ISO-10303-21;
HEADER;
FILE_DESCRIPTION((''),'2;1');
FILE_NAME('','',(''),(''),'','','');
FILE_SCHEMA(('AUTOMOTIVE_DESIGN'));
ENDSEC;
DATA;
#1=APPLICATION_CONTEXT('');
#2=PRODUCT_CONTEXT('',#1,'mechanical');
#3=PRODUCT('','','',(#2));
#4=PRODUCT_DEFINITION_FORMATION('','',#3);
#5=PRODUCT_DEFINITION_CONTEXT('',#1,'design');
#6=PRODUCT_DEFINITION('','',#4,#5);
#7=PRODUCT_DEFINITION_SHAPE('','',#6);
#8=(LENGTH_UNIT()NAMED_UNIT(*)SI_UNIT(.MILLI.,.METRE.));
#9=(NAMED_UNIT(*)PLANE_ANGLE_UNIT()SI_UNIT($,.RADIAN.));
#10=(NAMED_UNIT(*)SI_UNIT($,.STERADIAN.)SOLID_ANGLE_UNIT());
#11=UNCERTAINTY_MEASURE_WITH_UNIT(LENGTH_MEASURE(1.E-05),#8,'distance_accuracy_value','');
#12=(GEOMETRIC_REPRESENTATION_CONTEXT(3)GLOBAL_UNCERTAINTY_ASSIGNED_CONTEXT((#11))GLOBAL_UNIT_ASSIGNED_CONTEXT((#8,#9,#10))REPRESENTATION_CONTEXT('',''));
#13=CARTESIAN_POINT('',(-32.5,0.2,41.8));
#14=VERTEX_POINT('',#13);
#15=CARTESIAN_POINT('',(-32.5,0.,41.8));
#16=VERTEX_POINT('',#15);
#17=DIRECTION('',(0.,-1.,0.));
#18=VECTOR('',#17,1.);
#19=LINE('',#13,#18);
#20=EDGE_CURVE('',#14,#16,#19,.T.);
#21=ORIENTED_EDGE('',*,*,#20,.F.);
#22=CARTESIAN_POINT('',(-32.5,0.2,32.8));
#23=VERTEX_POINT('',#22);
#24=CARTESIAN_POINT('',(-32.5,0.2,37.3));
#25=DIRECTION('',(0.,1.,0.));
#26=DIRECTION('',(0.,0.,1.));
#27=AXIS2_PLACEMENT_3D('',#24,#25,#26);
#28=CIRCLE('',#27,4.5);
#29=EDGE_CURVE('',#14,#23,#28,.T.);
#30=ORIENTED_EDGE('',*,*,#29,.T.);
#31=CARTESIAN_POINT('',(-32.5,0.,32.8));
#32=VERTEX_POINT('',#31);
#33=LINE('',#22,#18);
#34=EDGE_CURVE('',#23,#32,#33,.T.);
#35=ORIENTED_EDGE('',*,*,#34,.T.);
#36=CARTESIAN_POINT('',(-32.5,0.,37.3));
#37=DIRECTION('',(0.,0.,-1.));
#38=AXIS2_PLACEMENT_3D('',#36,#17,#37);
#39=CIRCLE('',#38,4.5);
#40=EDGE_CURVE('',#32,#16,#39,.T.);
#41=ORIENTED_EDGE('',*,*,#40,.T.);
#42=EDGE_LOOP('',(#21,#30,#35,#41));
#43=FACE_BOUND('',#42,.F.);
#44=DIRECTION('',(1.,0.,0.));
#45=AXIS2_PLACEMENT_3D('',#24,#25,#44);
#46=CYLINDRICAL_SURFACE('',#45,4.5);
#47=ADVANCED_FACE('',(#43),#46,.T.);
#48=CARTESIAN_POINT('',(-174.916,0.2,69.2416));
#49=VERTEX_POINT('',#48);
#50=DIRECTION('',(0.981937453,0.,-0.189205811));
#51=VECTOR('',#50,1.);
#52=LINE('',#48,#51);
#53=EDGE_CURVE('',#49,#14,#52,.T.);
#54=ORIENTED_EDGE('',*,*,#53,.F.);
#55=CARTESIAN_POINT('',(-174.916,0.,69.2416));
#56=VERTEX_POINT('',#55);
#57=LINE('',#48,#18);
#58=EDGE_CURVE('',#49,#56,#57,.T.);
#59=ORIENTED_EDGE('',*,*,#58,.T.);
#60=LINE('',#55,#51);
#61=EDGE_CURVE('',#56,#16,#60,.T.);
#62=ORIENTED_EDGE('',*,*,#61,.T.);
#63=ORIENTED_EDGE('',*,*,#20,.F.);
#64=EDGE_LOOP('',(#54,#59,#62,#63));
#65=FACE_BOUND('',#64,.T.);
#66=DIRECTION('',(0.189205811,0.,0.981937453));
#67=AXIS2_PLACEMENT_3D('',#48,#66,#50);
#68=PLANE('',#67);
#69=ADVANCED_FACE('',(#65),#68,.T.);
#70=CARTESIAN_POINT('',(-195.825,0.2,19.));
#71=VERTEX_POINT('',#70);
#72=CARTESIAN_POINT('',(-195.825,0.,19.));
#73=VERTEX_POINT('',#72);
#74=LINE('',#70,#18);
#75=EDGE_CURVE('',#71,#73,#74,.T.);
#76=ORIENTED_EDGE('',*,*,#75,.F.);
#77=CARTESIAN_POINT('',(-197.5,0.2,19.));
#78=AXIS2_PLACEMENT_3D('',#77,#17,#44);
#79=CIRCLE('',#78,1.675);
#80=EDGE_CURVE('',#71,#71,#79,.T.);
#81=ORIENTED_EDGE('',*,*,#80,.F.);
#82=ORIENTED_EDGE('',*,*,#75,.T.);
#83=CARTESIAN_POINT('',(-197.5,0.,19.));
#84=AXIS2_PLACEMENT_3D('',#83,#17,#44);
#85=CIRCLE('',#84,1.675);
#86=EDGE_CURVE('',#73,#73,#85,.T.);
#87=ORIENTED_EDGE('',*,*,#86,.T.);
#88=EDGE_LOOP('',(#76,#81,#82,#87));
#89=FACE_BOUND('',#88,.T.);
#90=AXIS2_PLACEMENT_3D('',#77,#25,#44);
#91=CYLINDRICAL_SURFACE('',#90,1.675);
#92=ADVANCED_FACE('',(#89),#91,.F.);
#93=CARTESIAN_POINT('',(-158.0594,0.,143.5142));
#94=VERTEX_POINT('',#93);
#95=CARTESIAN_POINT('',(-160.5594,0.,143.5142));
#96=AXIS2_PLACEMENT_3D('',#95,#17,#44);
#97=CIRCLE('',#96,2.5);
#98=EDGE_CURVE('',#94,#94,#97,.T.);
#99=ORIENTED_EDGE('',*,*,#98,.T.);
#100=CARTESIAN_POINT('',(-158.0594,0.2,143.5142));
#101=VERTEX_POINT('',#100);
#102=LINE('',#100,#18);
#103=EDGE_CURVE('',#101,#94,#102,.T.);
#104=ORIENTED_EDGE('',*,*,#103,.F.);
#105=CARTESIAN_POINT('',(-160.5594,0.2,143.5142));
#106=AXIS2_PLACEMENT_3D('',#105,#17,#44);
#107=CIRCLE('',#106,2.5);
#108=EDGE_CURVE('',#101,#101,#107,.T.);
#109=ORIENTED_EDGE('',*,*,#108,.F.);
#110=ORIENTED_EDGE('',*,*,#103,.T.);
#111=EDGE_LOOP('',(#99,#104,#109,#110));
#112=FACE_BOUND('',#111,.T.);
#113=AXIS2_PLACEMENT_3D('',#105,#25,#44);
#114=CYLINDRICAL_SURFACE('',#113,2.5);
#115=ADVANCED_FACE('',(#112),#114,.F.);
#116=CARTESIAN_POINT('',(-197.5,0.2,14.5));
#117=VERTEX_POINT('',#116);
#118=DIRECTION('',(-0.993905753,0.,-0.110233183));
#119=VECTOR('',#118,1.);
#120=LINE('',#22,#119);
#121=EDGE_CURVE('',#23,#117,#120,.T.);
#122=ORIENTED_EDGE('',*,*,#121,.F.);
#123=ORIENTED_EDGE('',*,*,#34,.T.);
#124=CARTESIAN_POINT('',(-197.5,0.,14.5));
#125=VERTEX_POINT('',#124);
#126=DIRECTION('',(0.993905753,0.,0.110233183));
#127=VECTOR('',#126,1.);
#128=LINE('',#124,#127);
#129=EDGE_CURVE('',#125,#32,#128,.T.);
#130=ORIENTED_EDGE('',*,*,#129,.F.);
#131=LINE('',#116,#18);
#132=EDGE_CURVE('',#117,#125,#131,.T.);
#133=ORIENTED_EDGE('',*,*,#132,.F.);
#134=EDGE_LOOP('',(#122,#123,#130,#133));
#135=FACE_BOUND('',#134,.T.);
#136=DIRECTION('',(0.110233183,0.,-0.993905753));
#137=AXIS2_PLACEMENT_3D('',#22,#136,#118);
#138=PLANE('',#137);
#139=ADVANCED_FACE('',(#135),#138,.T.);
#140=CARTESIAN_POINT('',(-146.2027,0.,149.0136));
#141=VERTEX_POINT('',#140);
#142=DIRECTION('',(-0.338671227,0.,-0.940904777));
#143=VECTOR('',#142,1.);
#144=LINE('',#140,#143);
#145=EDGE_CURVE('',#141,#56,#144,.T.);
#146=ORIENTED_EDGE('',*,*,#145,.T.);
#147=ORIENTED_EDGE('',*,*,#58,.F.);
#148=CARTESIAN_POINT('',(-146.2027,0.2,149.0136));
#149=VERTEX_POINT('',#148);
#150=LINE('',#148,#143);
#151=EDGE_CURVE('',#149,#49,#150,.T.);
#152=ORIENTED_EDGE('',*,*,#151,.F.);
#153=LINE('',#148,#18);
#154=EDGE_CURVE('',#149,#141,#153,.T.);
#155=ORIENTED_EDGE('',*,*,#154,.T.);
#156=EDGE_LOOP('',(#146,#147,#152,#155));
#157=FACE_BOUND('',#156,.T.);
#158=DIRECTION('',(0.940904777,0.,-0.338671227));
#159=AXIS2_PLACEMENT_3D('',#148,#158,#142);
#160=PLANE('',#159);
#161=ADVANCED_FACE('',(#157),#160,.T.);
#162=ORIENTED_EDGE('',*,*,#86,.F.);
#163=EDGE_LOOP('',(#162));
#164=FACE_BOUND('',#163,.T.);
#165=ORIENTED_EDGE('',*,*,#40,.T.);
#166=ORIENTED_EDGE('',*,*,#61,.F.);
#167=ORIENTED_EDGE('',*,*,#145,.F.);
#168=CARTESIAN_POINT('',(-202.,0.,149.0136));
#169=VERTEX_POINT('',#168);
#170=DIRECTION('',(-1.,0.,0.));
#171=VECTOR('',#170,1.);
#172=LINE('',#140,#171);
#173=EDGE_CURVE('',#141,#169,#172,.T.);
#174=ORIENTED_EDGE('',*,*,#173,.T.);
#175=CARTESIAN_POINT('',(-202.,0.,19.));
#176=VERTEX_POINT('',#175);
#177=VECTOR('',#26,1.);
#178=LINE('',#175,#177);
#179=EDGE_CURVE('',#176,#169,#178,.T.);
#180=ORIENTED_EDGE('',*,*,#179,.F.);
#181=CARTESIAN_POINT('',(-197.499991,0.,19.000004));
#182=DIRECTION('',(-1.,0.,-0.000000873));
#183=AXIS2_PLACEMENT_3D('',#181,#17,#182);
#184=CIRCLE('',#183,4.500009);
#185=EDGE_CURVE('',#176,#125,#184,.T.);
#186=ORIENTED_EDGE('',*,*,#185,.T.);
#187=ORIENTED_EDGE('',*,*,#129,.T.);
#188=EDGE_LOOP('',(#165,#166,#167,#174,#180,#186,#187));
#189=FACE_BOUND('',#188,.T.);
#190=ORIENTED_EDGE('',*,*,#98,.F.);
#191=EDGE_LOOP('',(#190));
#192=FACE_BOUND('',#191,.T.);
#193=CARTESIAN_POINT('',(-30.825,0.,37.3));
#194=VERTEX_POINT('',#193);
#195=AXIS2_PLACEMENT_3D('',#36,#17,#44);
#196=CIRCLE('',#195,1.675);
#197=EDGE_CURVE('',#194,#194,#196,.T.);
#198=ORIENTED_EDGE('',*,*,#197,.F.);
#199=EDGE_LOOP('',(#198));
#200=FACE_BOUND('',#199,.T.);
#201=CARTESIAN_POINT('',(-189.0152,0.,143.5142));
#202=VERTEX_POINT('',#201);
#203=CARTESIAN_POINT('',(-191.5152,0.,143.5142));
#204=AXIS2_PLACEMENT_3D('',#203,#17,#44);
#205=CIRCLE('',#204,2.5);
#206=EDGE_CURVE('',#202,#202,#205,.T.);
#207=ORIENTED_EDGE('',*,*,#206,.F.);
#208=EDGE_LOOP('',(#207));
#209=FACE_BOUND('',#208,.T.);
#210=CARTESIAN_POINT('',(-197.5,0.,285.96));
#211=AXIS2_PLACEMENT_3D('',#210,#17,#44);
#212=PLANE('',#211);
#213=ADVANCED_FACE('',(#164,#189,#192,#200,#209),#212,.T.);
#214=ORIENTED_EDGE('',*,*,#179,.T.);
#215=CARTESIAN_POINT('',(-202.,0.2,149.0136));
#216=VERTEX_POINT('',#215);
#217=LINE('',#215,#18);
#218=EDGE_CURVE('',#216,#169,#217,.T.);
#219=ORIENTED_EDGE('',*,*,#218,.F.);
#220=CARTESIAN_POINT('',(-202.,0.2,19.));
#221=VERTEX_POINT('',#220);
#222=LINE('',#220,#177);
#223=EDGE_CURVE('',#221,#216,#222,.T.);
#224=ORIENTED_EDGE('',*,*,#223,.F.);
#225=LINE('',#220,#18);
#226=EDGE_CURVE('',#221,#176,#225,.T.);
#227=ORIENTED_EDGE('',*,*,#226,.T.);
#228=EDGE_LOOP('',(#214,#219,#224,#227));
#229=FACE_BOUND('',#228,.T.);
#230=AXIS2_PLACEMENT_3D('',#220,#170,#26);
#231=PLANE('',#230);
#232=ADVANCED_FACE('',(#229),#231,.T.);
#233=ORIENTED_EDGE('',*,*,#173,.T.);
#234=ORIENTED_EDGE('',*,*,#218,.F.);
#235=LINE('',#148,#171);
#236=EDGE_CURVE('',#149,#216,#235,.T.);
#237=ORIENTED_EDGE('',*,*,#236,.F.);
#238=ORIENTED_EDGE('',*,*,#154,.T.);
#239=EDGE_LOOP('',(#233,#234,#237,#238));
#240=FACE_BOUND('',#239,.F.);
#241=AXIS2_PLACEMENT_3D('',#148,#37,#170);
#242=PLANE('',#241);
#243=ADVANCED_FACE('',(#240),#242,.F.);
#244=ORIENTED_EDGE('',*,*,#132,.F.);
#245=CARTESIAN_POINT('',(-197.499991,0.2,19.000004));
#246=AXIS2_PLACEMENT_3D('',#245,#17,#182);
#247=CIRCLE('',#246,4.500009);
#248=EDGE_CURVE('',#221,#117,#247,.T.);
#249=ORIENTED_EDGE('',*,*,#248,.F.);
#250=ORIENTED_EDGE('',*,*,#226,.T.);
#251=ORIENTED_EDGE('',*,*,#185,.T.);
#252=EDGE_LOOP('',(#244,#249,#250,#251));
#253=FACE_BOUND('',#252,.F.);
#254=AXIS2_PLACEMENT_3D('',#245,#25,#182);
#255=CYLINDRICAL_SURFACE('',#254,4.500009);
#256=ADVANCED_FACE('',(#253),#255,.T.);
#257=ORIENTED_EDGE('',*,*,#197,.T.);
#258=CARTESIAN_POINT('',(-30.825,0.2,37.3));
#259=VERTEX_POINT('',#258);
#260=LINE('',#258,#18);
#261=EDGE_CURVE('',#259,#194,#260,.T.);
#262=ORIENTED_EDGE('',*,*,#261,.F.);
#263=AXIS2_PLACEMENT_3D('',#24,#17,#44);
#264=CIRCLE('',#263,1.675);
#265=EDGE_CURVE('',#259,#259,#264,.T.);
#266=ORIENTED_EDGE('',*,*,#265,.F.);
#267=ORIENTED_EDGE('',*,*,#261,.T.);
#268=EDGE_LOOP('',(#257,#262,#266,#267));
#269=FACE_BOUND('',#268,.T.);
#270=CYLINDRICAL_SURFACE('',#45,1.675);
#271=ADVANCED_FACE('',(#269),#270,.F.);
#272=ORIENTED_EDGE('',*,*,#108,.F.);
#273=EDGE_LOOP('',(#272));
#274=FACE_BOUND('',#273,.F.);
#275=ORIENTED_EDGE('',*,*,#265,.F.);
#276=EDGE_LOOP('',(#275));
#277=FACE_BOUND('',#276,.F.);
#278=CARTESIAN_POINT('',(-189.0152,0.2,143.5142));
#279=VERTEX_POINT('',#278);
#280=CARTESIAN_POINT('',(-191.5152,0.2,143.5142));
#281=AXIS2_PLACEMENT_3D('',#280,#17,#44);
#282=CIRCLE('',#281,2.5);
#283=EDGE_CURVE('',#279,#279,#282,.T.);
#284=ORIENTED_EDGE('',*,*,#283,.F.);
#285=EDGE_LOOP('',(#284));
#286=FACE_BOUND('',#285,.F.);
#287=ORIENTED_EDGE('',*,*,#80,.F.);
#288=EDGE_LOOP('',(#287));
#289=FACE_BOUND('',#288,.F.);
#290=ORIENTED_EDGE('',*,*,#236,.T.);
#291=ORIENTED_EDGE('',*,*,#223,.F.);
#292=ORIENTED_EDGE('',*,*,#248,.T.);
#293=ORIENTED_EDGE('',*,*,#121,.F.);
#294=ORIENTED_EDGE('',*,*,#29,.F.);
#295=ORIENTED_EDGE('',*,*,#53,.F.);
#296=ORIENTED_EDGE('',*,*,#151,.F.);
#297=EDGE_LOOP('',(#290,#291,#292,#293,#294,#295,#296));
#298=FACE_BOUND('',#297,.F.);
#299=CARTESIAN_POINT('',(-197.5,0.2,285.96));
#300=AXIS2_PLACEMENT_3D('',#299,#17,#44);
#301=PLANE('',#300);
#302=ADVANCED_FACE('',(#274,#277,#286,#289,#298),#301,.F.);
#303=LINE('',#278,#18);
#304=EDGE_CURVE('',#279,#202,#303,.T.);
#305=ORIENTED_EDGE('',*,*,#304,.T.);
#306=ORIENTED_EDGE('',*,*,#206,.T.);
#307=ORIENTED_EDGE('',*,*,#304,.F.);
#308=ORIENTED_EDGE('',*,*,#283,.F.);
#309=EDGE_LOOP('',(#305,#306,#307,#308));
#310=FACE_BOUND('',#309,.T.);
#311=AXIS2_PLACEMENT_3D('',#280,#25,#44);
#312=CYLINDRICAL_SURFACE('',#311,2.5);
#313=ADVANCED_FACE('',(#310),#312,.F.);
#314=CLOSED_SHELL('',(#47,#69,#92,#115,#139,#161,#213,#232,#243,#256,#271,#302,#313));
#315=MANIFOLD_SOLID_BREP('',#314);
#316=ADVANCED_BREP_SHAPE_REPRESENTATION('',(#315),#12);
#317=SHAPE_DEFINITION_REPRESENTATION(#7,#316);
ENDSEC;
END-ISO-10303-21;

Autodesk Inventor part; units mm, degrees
ref_plane "YZ Plane" through (0, 0, 0) normal (1, 0, 0) x (0, 1, 0)
ref_plane "XZ Plane" through (0, 0, 0) normal (0, 1, 0) x (-1, 0, 0)
ref_plane "Work Plane1" through (-197.5, 0.2, 285.96) normal (0, -1, 0) x (1, 0, 0)
sketch "Sketch1" plane through (-197.5, 0.2, 285.96) normal (0, -1, 0) x (1, 0, 0)
  line L0 (51.2973, -136.9464) -> (22.584, -216.7184) projected
  line L1 (51.2973, -136.9464) -> (-4.5, -136.9464)
  line L2 (-4.5, -266.96) -> (-4.5, -4.5) projected
  line L3 (51.2973, -136.9464) -> (22.584, -216.7184)
  line L4 (22.584, -216.7184) -> (165, -244.16) projected
  line L5 (22.584, -216.7184) -> (165, -244.16)
  circle A0 centre (165, -248.66) radius 1.675 projected
  circle A1 centre (165, -248.66) radius 4.5
  arc A2 (-4.5, -266.96) -> (0.561, -271.4249) centre (0, -266.96) ccw projected
  line L6 (165, -253.16) -> (0.561, -271.4249) projected
  circle A3 centre (0, -266.96) radius 4.5
  line L7 (-4.5, -266.96) -> (-4.5, -136.9464)
  circle A4 centre (165, -248.66) radius 1.675
  circle A5 centre (0, -266.96) radius 1.675
  circle A6 centre (36.9406, -142.4458) radius 2.5 projected
  circle A7 centre (36.9406, -142.4458) radius 2.5
  circle A8 centre (5.9848, -142.4458) radius 2.5 projected
  circle A9 centre (5.9848, -142.4458) radius 2.5
  line L8 (165, -253.16) -> (0, -271.46)
  point P0 (197.5, -285.96)
extrude "Extrusion1" add sketch "Sketch1" along normal blind 0.2 contours L0 L4 A1 L8 A3 L2 L1 | A1 | A3 L8 A2 picked at (-3.4985, -266.4674)
properties part number "base_main_pcb_p1"
